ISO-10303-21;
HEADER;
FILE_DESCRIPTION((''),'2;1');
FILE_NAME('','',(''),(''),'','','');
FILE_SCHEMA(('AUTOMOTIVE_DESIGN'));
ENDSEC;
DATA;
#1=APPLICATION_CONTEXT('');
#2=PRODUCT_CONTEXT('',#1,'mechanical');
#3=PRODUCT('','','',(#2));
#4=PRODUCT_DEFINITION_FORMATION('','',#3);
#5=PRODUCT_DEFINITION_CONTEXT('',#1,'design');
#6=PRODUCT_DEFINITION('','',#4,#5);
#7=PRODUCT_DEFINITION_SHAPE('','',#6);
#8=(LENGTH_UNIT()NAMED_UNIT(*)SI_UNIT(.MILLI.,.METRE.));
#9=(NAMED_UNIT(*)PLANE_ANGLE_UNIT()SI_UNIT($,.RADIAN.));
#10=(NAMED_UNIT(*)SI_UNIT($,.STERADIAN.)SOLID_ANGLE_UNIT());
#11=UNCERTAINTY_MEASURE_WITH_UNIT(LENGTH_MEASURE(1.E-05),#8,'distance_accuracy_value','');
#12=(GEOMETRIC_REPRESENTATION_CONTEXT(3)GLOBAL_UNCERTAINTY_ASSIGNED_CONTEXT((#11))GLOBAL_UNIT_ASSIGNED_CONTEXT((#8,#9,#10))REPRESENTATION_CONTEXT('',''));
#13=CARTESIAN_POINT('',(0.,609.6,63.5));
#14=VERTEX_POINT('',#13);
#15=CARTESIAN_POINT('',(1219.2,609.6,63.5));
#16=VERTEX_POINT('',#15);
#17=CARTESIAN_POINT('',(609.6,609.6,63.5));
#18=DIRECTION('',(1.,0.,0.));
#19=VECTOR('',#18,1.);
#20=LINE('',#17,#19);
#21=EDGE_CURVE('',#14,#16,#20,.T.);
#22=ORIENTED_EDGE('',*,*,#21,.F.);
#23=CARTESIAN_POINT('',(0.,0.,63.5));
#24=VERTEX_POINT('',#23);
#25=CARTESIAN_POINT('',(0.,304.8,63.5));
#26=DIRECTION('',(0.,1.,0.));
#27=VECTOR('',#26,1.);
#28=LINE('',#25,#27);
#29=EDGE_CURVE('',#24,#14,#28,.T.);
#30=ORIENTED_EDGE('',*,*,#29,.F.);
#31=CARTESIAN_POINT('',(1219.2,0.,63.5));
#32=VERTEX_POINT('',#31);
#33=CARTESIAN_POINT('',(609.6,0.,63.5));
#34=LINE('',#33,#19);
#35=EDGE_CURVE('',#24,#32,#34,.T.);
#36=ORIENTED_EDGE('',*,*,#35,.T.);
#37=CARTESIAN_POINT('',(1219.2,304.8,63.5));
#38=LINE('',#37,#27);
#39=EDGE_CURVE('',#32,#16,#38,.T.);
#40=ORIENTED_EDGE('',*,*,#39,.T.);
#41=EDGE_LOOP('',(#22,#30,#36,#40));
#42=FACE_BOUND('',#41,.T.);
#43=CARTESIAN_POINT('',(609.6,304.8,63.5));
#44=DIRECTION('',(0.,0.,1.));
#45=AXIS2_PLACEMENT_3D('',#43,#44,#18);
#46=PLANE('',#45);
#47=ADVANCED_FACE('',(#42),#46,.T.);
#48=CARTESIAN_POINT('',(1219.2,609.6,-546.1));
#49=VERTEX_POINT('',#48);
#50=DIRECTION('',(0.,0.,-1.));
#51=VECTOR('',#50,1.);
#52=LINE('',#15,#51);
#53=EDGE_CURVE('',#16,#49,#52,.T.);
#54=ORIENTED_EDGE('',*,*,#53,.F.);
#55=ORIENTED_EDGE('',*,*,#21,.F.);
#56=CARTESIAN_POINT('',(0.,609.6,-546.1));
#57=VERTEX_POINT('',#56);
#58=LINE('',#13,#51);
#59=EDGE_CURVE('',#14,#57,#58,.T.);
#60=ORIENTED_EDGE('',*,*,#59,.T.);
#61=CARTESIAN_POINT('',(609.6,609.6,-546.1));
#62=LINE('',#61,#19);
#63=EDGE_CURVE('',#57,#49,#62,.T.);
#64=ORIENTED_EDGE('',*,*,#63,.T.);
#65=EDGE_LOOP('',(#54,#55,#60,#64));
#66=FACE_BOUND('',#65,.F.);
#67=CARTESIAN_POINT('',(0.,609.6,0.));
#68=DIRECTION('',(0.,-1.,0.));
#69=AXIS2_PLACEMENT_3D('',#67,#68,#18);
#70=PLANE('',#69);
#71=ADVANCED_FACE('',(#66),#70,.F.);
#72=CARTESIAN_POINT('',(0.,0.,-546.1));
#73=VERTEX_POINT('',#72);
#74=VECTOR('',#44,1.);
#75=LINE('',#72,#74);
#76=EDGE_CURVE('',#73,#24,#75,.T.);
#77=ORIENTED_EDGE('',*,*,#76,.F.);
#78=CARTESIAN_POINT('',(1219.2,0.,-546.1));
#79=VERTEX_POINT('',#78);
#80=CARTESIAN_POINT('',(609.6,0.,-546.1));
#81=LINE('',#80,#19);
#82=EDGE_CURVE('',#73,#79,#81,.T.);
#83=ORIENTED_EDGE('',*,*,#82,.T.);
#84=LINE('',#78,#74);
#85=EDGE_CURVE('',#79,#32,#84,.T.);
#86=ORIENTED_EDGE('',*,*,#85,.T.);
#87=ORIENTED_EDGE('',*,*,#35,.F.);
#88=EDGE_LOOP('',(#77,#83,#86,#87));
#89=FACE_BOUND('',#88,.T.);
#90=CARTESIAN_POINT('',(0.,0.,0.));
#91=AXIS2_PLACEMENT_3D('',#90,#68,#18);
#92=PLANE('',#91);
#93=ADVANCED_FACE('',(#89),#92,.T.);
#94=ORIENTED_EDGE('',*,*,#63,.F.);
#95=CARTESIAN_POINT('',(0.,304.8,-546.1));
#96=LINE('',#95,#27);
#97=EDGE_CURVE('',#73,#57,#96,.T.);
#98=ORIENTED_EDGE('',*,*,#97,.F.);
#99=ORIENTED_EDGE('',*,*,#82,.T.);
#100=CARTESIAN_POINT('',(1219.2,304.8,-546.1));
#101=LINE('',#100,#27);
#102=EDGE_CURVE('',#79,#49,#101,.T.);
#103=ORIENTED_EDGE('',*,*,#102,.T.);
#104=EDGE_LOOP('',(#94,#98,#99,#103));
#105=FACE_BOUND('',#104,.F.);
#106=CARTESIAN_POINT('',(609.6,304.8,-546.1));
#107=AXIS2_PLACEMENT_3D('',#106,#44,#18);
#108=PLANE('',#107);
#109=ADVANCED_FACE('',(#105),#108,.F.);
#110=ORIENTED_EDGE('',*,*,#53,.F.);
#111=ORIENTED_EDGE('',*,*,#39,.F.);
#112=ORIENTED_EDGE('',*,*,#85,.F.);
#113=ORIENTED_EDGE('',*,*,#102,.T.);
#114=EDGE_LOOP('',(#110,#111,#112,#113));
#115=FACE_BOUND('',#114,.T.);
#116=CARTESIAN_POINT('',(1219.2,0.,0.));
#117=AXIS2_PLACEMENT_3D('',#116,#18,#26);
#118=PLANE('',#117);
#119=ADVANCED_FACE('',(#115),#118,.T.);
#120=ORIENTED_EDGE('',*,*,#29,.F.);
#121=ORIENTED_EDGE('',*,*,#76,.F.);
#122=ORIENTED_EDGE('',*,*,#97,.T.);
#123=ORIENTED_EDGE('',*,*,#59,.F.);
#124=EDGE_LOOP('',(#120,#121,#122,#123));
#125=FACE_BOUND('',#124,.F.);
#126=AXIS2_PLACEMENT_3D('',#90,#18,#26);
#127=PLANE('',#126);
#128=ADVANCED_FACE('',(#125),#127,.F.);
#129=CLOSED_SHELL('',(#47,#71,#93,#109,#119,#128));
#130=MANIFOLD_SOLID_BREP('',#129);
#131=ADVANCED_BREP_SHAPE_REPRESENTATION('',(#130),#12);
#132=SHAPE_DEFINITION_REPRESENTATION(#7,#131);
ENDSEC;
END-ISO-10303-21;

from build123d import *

# Parameters (mm, degrees)
SKETCH_W     = 1219.2
SKETCH_H     = 609.6
PAD_DEPTH    = 63.5
PAD001_DEPTH = 546.1


with BuildPart() as part:
    # Sketch → Pad (new body)
    with BuildSketch(Plane.XY):
        with Locations((609.6, 304.8)):
            Rectangle(SKETCH_W, SKETCH_H)
    extrude(amount=PAD_DEPTH)

    # Sketch → Pad001 (join)
    with BuildSketch(Plane.XY):
        with Locations((609.6, 304.8)):
            Rectangle(SKETCH_W, SKETCH_H)
    extrude(amount=-PAD001_DEPTH)


solid = part.part
